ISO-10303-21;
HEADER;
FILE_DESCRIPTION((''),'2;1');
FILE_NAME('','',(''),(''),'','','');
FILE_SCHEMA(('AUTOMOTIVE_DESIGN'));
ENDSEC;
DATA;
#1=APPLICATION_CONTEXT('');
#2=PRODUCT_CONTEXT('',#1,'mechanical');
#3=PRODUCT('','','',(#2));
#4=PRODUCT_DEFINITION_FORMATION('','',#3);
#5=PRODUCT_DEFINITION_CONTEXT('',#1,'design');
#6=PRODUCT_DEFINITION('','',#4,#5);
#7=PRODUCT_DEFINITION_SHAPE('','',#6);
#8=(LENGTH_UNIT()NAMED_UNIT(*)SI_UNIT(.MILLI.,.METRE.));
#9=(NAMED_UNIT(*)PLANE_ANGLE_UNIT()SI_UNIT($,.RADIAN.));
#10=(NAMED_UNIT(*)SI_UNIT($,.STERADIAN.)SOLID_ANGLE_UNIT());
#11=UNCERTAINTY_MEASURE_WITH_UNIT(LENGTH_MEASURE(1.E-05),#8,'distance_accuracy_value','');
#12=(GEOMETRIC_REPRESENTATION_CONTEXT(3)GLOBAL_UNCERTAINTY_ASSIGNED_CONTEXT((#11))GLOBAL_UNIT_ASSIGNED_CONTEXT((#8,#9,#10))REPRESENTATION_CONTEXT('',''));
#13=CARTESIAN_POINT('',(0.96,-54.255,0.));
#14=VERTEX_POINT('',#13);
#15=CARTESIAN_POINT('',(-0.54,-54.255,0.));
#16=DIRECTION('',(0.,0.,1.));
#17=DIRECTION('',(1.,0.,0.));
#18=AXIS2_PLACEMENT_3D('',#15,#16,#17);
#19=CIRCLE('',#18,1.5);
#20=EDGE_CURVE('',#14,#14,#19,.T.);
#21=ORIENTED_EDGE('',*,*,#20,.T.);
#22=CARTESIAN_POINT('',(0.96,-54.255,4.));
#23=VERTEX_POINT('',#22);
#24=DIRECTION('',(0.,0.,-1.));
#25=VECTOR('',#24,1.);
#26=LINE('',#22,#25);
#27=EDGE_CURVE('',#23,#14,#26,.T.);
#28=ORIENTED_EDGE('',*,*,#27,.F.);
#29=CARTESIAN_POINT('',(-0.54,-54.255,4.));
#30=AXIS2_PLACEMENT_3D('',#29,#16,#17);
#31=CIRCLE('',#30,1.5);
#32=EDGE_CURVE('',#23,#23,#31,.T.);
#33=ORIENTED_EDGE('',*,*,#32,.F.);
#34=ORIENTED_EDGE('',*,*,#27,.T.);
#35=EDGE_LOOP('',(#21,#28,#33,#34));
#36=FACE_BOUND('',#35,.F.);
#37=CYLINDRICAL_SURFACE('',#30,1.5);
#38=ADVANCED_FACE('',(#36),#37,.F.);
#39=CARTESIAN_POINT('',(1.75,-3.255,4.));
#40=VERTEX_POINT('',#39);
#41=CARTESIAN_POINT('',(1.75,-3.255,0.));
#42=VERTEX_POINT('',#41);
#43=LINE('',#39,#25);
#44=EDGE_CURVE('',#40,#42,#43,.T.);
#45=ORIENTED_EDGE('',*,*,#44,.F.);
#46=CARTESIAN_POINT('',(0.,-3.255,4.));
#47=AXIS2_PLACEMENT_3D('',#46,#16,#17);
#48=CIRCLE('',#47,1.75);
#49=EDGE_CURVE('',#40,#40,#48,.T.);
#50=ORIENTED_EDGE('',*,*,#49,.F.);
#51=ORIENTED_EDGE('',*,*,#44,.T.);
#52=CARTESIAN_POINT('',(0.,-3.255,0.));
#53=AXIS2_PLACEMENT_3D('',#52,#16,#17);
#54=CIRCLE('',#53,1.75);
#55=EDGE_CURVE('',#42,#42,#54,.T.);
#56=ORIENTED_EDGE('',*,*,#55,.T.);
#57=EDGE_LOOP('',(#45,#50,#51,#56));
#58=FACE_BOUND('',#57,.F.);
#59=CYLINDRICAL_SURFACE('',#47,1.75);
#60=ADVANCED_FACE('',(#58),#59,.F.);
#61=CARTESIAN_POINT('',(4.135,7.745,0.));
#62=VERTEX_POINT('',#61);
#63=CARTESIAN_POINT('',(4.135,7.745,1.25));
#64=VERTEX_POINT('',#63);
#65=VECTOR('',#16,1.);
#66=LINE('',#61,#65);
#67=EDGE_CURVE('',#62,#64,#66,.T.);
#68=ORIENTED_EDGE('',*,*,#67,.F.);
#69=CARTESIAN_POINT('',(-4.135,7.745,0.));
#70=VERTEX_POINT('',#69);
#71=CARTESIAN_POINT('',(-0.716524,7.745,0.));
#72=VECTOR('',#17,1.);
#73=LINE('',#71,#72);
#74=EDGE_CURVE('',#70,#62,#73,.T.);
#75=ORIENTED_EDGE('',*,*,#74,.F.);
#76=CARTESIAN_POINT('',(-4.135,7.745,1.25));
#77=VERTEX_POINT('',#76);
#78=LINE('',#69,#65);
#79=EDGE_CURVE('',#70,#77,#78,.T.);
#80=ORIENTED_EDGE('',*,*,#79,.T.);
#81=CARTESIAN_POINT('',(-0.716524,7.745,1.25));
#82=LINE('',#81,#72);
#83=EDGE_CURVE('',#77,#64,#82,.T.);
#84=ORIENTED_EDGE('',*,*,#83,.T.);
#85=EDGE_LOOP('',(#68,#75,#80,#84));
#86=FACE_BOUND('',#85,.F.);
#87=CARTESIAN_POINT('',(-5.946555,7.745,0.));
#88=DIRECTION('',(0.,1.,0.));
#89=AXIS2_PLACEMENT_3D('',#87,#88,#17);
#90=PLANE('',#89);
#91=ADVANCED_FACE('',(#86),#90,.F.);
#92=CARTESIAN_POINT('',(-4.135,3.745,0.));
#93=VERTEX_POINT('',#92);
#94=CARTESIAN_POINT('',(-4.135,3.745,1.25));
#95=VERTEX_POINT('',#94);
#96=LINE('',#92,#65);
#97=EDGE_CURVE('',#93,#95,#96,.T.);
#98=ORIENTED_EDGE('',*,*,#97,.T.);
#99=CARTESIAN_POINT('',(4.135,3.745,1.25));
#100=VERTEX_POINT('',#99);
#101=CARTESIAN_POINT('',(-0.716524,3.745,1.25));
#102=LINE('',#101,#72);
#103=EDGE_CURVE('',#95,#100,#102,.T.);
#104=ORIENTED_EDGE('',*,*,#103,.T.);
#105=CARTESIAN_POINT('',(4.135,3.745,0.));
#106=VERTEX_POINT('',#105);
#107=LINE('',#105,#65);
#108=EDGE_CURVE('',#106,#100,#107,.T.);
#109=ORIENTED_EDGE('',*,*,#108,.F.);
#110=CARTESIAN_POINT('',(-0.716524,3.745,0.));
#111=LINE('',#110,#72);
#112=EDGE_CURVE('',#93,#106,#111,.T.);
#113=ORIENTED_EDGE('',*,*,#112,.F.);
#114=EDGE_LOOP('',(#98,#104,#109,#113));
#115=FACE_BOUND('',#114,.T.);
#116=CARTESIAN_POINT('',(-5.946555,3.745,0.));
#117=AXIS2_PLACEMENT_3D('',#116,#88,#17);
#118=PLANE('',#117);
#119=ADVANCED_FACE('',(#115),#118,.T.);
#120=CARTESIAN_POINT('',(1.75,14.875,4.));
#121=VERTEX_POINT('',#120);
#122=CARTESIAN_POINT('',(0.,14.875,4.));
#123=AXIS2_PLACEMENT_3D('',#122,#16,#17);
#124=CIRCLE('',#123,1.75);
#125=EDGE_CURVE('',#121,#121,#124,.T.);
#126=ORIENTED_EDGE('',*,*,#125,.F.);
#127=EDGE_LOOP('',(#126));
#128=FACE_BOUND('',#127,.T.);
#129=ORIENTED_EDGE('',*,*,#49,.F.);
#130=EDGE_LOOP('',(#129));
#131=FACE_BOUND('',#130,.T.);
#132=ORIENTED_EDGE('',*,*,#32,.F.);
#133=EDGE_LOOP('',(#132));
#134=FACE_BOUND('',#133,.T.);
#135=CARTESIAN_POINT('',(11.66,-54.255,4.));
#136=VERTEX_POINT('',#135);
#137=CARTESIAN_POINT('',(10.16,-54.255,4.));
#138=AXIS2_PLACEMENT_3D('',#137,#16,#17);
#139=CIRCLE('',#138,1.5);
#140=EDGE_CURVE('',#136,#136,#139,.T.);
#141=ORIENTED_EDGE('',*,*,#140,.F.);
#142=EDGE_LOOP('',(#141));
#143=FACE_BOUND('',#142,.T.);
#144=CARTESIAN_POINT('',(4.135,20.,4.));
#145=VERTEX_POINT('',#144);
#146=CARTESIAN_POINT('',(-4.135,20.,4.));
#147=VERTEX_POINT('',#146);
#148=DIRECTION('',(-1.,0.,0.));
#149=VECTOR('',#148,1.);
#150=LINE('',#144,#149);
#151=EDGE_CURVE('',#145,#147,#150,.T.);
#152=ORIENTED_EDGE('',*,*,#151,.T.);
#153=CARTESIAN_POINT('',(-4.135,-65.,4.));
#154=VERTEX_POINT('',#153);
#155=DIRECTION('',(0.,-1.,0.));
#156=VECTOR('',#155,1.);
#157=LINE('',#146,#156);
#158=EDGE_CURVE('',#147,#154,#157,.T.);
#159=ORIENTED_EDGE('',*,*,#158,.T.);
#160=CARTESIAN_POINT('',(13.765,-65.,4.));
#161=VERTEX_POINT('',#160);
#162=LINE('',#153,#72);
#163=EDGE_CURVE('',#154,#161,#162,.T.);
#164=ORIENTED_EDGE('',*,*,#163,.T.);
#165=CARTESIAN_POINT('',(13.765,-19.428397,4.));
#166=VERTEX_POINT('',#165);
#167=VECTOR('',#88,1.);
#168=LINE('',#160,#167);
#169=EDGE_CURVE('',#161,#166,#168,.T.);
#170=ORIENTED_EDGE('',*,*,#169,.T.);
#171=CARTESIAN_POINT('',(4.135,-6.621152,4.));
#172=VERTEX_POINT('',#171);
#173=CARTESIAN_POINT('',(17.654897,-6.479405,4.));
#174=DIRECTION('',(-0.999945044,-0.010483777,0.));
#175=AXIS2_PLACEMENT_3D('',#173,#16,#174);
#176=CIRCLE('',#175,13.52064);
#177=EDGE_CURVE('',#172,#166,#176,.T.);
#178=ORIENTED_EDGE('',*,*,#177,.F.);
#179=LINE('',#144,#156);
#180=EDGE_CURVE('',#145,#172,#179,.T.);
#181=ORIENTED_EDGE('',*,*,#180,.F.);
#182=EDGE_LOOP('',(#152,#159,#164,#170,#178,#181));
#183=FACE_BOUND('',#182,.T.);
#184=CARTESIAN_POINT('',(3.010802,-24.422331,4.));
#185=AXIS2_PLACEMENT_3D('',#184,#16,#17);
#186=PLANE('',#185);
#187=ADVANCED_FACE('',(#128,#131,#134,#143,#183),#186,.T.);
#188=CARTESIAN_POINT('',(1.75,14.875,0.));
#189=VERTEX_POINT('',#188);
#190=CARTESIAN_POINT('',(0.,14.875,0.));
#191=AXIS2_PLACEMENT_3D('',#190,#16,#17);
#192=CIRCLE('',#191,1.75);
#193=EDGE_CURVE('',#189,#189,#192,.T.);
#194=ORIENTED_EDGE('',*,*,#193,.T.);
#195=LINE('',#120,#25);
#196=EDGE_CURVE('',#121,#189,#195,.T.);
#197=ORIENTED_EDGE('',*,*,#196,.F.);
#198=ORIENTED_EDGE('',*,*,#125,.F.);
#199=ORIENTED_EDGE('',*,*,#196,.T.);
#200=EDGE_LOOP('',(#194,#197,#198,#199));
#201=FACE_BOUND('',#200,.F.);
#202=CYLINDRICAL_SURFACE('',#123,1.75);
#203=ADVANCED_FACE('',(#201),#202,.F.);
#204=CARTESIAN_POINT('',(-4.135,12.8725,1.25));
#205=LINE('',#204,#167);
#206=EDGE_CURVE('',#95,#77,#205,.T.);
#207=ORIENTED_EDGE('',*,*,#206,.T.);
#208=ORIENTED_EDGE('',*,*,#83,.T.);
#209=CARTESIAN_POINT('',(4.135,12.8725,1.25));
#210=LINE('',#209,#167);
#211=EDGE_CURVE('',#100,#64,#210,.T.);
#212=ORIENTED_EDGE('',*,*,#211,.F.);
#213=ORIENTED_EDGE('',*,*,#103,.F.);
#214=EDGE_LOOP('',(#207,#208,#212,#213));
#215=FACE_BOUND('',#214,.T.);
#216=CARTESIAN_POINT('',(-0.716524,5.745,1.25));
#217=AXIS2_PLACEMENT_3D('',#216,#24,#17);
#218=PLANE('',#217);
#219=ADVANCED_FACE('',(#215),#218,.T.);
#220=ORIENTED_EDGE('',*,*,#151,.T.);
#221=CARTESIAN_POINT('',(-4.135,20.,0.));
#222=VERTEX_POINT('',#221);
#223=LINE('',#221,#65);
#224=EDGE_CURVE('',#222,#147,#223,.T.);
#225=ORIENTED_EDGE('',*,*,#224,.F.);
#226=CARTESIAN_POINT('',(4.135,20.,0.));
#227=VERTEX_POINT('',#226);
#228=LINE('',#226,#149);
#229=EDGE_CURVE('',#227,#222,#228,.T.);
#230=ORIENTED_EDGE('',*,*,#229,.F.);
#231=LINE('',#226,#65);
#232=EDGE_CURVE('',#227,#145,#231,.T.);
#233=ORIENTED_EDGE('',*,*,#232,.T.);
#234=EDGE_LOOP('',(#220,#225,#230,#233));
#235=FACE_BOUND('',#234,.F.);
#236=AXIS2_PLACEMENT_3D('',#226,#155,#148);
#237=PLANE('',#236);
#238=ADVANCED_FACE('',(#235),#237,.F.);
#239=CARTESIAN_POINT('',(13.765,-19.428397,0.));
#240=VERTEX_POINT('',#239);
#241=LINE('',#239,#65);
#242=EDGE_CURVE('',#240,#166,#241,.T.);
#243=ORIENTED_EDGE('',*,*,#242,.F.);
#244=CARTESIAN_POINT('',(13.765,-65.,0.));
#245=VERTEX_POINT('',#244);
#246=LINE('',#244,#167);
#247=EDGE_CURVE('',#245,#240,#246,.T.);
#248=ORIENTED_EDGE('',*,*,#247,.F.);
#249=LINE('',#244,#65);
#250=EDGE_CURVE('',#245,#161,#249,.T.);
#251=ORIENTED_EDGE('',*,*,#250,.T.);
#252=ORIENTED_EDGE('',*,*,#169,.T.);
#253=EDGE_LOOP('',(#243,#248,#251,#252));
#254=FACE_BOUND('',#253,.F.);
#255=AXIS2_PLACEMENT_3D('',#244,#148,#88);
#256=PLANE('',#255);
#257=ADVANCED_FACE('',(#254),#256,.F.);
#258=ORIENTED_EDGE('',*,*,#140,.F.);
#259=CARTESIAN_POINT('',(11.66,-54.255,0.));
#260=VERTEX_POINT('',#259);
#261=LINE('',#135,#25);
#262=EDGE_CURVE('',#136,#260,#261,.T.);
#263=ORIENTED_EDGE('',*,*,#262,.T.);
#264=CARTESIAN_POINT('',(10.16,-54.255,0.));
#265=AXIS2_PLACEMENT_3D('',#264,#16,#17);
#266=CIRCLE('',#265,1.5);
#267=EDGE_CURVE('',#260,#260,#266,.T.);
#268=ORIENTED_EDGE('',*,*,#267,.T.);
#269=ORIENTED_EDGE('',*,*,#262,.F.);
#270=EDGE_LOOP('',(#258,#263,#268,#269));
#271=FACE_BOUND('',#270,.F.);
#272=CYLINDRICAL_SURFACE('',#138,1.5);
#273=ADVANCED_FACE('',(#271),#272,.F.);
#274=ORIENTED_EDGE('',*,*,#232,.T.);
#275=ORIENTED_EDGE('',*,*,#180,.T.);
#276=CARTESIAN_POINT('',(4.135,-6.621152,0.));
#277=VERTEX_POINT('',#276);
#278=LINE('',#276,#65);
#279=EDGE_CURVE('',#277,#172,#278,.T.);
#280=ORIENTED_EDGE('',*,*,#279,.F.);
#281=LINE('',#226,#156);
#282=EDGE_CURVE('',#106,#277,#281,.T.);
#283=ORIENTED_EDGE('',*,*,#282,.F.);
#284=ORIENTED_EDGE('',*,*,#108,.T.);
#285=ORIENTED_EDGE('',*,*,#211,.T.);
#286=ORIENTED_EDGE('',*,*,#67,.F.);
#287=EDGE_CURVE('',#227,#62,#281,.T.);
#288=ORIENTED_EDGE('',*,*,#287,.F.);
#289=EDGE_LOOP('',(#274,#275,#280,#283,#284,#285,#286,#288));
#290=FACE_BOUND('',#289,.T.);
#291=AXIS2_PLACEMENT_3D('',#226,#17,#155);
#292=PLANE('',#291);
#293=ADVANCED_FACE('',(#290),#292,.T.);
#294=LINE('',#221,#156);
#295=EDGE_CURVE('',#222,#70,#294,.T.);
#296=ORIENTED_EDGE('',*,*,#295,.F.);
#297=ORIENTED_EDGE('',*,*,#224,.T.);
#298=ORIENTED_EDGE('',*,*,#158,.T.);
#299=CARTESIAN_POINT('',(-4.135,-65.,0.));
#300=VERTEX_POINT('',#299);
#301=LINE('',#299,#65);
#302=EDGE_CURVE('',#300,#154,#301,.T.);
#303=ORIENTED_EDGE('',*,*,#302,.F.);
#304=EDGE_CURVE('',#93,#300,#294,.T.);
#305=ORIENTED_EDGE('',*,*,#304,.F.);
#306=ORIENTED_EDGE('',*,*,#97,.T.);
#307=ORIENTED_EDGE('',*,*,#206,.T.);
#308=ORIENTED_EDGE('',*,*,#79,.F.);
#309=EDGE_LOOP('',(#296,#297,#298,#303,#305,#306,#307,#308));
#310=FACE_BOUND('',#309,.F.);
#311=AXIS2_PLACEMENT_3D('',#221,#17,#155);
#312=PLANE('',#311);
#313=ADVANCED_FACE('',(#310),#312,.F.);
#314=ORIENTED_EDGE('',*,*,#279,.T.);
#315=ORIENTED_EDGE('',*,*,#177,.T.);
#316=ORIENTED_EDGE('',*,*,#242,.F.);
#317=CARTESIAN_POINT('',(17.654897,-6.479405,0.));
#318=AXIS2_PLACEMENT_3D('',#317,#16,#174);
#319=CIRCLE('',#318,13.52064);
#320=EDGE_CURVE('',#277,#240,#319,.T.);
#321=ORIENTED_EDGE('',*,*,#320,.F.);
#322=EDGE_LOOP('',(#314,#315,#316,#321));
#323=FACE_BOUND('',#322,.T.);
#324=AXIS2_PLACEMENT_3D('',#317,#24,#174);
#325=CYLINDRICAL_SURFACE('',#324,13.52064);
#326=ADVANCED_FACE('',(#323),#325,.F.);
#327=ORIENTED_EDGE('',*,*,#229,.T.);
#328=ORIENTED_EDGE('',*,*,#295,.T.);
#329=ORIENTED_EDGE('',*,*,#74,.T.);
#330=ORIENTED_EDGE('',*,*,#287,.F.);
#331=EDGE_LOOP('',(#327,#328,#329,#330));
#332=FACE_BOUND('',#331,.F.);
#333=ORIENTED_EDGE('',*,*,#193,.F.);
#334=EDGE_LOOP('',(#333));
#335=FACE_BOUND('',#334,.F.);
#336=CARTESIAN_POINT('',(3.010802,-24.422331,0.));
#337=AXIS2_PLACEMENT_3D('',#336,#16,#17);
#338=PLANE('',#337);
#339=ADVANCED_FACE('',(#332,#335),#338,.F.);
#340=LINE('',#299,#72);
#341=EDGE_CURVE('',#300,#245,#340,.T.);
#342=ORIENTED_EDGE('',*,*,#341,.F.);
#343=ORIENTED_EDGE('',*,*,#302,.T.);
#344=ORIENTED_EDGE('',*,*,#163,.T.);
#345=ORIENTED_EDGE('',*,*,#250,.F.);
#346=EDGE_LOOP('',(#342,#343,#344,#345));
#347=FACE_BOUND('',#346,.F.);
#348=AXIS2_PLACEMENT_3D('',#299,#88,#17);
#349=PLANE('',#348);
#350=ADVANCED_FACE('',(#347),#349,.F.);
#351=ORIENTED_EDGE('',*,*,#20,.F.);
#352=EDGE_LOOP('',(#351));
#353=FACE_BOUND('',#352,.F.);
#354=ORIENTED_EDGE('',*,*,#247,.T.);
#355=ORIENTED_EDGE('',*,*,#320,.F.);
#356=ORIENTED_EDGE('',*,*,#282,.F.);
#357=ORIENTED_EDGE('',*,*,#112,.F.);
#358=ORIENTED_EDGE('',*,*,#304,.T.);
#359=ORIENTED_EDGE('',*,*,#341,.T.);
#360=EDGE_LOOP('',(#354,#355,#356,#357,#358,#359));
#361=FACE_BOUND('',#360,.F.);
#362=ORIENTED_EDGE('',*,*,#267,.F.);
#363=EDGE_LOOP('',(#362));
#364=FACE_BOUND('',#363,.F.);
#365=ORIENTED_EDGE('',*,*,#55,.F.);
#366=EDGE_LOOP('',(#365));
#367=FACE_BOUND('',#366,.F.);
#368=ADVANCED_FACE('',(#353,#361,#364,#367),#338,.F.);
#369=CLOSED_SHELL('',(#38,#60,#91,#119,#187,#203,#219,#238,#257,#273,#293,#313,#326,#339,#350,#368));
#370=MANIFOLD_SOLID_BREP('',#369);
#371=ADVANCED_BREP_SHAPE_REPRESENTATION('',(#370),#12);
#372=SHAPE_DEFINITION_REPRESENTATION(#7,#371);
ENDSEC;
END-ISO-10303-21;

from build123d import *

# Parameters (mm, degrees)
PAD002_DEPTH    = 4
SKETCH008_R     = 1.75
SKETCH008_R_2   = 1.5
POCKET009_DEPTH = 5
SKETCH009_W     = 10.460062
SKETCH009_H     = 4
POCKET001_DEPTH = 1.25


with BuildPart() as part:
    # Sketch007 → Pad002 (new body)
    with BuildSketch(Plane.XY):
        with BuildLine():
            Line((-4.135, 20), (-4.135, -65))
            Line((-4.135, -65), (13.765, -65))
            Line((13.765, -65), (13.765, -19.428397))
            ThreePointArc((4.135, -6.621152), (6.848343, -14.605049), (13.765, -19.428397))
            Line((4.135, 20), (4.135, -6.621152))
            Line((4.135, 20), (-4.135, 20))
        make_face()
    extrude(amount=PAD002_DEPTH)

    # Sketch008 (on Face8 of Pad002) → Pocket009 (cut)
    with BuildSketch(Plane.XY.offset(4)):
        with Locations((0, 14.875)):
            Circle(SKETCH008_R)
        with Locations((0, -3.255)):
            Circle(SKETCH008_R)
        with Locations((-0.54, -54.255)):
            Circle(SKETCH008_R_2)
        with Locations((10.16, -54.255)):
            Circle(SKETCH008_R_2)
    extrude(amount=-POCKET009_DEPTH, mode=Mode.SUBTRACT)

    # Sketch009 (on Face4 of Pocket009) → Pocket001 (cut)
    with BuildSketch(Plane(origin=(0, 0, 0), x_dir=(1, 0, 0), z_dir=(0, 0, -1))):
        with Locations((-0.716524, -5.745)):
            Rectangle(SKETCH009_W, SKETCH009_H)
    extrude(amount=-POCKET001_DEPTH, mode=Mode.SUBTRACT)


solid = part.part
